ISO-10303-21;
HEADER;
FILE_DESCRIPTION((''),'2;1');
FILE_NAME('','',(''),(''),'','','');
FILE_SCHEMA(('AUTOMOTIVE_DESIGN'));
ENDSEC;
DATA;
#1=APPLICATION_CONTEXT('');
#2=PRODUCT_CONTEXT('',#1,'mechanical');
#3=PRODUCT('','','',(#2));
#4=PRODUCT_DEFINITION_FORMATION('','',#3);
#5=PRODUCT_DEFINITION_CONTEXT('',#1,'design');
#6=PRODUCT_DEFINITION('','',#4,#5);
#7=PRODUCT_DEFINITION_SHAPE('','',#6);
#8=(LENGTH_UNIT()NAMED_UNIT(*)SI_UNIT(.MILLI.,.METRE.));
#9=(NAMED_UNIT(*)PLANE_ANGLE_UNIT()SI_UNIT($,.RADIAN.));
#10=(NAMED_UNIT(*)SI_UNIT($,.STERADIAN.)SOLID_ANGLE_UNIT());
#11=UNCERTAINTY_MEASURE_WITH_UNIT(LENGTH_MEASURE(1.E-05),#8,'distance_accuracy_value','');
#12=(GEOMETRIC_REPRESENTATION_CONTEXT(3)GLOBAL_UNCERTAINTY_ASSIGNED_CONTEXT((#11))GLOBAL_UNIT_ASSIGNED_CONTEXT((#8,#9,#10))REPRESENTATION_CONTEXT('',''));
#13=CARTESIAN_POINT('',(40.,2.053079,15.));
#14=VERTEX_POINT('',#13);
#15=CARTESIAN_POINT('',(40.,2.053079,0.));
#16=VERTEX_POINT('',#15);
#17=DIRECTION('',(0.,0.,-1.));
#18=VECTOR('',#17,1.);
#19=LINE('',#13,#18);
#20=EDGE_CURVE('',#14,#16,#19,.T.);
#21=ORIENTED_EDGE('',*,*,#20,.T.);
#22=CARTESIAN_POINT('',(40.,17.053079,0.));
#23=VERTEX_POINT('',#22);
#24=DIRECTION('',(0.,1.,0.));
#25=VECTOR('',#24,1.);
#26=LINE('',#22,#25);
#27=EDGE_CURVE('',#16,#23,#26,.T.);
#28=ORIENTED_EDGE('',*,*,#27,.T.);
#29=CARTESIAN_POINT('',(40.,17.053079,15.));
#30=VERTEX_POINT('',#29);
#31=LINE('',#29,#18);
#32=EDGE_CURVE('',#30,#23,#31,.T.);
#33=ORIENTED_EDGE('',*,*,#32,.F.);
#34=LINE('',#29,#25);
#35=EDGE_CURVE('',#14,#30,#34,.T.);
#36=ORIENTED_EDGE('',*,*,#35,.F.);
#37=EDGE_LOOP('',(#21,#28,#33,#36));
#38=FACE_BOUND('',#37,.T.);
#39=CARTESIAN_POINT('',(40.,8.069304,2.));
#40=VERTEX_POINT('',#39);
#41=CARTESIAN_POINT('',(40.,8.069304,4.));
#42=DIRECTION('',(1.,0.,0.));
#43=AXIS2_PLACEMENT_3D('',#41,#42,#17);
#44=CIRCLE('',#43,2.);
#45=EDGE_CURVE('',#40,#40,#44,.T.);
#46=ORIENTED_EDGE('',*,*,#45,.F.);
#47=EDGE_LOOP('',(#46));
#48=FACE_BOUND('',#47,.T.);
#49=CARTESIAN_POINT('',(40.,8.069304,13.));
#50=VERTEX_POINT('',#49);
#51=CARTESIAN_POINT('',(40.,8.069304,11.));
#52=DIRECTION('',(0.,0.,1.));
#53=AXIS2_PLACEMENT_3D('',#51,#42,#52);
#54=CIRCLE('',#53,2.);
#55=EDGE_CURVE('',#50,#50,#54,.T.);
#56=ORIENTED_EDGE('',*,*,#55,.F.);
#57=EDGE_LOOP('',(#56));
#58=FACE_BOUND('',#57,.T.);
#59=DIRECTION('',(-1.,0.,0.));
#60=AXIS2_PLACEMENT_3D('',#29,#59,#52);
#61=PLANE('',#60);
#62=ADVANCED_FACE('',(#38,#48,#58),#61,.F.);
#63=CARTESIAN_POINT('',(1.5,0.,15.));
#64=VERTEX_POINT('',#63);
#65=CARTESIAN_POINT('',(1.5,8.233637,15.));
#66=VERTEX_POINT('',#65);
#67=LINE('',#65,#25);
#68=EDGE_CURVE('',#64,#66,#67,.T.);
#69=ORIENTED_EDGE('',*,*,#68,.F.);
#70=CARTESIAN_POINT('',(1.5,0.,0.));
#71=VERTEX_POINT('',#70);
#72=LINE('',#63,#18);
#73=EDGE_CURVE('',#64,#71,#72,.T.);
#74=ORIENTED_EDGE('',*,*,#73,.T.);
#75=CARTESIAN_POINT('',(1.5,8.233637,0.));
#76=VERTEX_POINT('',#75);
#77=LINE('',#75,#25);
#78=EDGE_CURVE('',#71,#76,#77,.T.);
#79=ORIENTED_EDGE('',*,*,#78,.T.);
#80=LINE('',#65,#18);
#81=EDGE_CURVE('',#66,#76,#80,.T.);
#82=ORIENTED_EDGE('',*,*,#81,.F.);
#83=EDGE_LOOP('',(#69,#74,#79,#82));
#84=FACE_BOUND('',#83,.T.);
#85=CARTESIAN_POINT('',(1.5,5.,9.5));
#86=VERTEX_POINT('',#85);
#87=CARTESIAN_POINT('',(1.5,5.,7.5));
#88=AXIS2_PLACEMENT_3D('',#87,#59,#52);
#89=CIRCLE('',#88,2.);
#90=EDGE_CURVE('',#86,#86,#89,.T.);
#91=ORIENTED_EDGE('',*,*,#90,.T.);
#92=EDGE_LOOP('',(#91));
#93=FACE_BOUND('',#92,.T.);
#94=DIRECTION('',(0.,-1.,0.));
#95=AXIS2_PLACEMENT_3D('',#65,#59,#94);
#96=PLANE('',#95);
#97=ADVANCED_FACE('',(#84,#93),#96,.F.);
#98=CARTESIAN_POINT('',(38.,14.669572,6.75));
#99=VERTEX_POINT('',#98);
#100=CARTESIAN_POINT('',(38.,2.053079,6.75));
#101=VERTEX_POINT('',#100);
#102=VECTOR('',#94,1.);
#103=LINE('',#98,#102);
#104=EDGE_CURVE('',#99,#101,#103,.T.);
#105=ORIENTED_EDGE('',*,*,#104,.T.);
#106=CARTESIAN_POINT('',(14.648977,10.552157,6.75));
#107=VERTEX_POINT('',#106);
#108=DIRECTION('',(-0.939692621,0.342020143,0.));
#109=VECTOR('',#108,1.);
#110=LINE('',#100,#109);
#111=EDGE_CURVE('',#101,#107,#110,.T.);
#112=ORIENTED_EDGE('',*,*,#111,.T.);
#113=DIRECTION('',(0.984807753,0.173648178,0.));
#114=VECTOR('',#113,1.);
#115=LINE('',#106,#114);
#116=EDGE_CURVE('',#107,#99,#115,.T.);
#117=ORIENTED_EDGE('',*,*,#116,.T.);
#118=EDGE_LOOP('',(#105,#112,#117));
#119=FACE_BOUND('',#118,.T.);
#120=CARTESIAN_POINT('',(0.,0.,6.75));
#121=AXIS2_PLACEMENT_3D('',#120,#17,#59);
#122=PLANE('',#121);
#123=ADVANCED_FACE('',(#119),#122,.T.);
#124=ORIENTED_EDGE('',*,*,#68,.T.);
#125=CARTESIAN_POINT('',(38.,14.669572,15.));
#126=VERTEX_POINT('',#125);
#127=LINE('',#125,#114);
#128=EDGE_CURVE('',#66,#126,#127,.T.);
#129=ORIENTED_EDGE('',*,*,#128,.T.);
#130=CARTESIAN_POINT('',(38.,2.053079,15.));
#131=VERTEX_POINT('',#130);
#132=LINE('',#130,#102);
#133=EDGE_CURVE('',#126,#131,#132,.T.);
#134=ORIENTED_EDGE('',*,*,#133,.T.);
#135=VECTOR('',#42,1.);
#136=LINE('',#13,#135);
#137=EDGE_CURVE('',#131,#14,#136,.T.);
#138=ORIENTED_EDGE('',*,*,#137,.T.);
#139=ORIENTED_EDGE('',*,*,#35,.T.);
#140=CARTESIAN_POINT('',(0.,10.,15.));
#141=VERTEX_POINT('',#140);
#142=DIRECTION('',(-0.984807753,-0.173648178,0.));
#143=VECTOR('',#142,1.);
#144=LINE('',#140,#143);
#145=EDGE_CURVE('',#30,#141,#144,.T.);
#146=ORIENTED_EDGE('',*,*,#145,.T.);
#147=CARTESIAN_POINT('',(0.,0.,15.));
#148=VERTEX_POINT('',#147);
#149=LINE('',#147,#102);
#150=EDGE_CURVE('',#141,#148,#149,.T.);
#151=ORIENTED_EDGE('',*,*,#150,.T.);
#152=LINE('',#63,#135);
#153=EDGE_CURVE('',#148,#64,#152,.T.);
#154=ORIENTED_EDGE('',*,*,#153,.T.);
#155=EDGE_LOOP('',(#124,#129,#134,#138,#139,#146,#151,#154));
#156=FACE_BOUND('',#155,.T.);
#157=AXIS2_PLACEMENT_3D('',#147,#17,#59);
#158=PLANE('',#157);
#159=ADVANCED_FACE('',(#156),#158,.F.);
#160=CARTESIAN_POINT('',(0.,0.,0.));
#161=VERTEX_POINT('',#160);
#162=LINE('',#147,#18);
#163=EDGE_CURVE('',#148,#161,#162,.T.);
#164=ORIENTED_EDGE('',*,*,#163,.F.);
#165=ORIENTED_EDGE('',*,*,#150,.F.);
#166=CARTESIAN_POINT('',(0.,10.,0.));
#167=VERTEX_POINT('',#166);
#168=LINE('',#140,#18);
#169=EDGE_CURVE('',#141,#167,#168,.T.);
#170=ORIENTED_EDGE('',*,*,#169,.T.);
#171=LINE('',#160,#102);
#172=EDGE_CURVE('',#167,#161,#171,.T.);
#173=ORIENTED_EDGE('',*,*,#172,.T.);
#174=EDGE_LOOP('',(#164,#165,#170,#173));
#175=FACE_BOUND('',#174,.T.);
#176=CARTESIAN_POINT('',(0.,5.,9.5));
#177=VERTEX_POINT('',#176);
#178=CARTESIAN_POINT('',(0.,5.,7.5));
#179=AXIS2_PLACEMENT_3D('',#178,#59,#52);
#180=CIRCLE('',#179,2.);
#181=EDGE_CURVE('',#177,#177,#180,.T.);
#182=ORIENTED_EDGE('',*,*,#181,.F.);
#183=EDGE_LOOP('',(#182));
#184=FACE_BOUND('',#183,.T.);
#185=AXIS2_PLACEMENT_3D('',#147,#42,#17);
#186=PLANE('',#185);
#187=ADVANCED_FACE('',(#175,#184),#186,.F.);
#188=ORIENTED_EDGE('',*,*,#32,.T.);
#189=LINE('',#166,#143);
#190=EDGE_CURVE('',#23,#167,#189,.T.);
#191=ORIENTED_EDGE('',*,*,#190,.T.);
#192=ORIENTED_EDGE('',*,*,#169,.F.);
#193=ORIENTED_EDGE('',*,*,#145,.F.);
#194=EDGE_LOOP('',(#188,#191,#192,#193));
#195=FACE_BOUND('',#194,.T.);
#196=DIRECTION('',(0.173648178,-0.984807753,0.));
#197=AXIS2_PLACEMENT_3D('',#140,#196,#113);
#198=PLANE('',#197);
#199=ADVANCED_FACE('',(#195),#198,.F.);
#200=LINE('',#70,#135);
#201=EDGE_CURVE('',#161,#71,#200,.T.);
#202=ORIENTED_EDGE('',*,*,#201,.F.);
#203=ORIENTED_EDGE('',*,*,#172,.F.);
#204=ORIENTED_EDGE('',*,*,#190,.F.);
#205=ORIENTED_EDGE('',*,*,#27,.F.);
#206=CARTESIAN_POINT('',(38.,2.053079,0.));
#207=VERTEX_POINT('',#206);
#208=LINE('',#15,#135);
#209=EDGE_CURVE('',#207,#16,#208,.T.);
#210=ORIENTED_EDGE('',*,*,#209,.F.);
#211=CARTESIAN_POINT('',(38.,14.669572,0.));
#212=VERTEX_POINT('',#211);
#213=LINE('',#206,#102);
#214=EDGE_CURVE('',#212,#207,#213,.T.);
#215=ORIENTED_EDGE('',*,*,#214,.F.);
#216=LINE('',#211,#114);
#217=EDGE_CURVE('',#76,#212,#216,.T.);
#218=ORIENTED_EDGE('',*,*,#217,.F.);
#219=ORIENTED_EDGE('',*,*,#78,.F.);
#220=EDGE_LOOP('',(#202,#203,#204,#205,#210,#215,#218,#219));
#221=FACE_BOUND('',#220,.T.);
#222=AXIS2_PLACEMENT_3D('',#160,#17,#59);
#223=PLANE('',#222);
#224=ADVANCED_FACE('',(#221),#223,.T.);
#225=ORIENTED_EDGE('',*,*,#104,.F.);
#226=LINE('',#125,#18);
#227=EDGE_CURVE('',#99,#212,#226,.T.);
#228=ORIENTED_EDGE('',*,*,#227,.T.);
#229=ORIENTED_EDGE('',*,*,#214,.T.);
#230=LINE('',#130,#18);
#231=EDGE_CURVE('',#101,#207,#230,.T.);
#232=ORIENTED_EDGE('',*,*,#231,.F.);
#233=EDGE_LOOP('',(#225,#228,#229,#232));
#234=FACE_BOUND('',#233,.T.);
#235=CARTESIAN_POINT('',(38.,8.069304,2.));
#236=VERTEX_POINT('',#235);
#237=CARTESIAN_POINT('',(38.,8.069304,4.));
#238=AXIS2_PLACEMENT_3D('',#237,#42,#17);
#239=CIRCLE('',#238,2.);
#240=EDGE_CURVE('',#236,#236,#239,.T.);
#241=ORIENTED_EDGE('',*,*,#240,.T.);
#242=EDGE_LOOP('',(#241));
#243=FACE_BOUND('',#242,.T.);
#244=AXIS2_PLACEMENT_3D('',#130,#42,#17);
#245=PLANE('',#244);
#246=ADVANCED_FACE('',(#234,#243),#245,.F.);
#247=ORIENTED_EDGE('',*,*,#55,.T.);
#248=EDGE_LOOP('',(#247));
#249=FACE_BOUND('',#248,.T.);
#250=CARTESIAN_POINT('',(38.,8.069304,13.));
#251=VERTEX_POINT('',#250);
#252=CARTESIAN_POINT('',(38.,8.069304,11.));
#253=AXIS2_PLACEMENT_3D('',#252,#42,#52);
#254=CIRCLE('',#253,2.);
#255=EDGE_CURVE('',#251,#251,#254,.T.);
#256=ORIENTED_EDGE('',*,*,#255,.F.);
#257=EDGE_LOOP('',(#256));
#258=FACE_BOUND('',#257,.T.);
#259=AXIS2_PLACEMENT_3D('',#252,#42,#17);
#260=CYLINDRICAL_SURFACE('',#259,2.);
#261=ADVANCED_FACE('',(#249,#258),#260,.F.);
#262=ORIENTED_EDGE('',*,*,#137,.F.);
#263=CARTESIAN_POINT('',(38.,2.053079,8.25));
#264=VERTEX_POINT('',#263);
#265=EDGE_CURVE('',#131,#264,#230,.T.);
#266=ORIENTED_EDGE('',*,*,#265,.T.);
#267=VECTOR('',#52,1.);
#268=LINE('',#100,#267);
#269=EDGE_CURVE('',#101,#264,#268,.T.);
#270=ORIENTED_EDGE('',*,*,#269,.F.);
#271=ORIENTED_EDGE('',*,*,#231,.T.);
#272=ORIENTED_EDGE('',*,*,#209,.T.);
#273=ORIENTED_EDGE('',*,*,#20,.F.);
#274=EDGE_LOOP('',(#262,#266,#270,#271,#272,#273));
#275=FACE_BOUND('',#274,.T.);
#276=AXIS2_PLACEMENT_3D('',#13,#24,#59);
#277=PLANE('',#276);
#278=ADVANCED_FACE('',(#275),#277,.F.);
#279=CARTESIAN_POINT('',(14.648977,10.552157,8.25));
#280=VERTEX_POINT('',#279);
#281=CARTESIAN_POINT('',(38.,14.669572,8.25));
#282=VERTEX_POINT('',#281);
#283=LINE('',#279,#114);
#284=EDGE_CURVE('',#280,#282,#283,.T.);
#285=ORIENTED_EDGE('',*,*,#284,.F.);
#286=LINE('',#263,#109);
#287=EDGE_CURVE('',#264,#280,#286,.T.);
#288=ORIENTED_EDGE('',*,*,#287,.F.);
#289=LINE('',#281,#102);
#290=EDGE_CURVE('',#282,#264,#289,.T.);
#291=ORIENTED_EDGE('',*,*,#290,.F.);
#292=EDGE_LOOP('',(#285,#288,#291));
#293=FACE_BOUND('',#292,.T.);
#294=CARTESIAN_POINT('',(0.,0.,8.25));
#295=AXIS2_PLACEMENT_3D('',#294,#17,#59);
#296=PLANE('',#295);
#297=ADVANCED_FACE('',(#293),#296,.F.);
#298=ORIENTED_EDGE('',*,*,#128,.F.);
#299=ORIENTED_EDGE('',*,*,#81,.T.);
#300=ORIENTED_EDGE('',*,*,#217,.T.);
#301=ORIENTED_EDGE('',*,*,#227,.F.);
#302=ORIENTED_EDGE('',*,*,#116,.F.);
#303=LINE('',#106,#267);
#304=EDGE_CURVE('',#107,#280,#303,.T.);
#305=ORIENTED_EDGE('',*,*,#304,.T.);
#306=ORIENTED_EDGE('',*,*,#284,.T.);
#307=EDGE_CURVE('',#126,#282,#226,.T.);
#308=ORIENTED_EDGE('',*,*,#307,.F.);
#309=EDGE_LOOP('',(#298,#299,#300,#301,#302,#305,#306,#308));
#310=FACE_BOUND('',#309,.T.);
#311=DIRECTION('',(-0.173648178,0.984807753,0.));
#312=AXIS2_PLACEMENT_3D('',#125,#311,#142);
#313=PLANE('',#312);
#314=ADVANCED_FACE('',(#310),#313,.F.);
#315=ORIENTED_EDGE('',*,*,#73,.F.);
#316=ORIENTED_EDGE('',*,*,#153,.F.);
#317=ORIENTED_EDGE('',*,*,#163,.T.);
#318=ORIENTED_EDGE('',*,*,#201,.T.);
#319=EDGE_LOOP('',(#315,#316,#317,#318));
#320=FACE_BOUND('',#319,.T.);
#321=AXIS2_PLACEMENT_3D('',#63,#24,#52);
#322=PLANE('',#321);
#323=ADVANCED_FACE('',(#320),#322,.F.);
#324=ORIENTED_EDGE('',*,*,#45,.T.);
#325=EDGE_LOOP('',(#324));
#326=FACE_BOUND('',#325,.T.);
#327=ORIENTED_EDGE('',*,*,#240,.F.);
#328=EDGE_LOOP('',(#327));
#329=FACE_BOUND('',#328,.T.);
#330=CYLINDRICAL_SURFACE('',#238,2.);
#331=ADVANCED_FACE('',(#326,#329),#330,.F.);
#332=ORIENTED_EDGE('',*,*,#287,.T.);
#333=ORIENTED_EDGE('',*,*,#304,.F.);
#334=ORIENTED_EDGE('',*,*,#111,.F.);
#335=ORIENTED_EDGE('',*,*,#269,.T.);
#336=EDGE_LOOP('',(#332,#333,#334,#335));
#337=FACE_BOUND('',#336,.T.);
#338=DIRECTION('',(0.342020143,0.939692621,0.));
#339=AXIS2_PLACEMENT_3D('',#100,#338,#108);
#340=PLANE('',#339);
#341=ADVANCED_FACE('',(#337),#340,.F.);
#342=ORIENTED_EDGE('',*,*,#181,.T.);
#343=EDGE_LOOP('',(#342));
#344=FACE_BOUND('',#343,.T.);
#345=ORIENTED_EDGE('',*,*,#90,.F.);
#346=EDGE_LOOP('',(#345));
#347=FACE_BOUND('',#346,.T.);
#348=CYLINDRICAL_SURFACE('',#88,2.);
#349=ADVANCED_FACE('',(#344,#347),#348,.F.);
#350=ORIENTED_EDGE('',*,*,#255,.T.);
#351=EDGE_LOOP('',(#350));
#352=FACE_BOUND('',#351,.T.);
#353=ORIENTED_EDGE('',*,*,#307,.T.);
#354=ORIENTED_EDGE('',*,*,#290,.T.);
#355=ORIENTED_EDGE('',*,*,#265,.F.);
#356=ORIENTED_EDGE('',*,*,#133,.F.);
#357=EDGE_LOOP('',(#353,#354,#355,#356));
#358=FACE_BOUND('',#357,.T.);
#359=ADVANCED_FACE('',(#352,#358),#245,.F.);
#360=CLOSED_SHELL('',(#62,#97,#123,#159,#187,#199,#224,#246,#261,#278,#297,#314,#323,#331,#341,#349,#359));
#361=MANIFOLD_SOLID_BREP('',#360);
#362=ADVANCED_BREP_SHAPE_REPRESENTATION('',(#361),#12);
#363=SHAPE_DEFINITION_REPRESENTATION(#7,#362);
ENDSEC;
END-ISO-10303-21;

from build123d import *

# Parameters (mm, degrees)
BOSS_EXTRUDE1_DEPTH = 15
BOSS_EXTRUDE2_DEPTH = 0.75
SKETCH6_R           = 2
CUT_EXTRUDE1_DEPTH  = 2
SKETCH7_R           = 2
CUT_EXTRUDE2_DEPTH  = 1.5


with BuildPart() as part:
    # Sketch1 → Boss-Extrude1 (new body)
    with BuildSketch(Plane.XY):
        Polygon((0, 0), (0, 10), (40, 17.053079228), (40, 2.053079228), (38, 2.053079228), (38, 14.669572043), (1.5, 8.233637247), (1.5, 0), align=None)
    extrude(amount=BOSS_EXTRUDE1_DEPTH)

    # Sketch5 → Boss-Extrude2 (add, symmetric)
    with BuildSketch(Plane(origin=(0, 0, 7.5), x_dir=(-1, 0, 0), z_dir=(0, 0, -1))):
        Polygon((-38, 14.669572043), (-38, 2.053079228), (-14.648976776, 10.552156622), align=None)
    extrude(amount=BOSS_EXTRUDE2_DEPTH, both=True)

    # Sketch6 → Cut-Extrude1 (cut)
    with BuildSketch(Plane(origin=(40, 0, 0), x_dir=(0, 0, -1), z_dir=(1, 0, 0))):
        with Locations((-4, 8.069303899)):
            Circle(SKETCH6_R)
        with Locations((-11, 8.069303899)):
            Circle(SKETCH6_R)
    extrude(amount=-CUT_EXTRUDE1_DEPTH, mode=Mode.SUBTRACT)

    # Sketch7 → Cut-Extrude2 (cut)
    with BuildSketch(Plane.ZY):
        with Locations((7.5, 5)):
            Circle(SKETCH7_R)
    extrude(amount=-CUT_EXTRUDE2_DEPTH, mode=Mode.SUBTRACT)


solid = part.part
